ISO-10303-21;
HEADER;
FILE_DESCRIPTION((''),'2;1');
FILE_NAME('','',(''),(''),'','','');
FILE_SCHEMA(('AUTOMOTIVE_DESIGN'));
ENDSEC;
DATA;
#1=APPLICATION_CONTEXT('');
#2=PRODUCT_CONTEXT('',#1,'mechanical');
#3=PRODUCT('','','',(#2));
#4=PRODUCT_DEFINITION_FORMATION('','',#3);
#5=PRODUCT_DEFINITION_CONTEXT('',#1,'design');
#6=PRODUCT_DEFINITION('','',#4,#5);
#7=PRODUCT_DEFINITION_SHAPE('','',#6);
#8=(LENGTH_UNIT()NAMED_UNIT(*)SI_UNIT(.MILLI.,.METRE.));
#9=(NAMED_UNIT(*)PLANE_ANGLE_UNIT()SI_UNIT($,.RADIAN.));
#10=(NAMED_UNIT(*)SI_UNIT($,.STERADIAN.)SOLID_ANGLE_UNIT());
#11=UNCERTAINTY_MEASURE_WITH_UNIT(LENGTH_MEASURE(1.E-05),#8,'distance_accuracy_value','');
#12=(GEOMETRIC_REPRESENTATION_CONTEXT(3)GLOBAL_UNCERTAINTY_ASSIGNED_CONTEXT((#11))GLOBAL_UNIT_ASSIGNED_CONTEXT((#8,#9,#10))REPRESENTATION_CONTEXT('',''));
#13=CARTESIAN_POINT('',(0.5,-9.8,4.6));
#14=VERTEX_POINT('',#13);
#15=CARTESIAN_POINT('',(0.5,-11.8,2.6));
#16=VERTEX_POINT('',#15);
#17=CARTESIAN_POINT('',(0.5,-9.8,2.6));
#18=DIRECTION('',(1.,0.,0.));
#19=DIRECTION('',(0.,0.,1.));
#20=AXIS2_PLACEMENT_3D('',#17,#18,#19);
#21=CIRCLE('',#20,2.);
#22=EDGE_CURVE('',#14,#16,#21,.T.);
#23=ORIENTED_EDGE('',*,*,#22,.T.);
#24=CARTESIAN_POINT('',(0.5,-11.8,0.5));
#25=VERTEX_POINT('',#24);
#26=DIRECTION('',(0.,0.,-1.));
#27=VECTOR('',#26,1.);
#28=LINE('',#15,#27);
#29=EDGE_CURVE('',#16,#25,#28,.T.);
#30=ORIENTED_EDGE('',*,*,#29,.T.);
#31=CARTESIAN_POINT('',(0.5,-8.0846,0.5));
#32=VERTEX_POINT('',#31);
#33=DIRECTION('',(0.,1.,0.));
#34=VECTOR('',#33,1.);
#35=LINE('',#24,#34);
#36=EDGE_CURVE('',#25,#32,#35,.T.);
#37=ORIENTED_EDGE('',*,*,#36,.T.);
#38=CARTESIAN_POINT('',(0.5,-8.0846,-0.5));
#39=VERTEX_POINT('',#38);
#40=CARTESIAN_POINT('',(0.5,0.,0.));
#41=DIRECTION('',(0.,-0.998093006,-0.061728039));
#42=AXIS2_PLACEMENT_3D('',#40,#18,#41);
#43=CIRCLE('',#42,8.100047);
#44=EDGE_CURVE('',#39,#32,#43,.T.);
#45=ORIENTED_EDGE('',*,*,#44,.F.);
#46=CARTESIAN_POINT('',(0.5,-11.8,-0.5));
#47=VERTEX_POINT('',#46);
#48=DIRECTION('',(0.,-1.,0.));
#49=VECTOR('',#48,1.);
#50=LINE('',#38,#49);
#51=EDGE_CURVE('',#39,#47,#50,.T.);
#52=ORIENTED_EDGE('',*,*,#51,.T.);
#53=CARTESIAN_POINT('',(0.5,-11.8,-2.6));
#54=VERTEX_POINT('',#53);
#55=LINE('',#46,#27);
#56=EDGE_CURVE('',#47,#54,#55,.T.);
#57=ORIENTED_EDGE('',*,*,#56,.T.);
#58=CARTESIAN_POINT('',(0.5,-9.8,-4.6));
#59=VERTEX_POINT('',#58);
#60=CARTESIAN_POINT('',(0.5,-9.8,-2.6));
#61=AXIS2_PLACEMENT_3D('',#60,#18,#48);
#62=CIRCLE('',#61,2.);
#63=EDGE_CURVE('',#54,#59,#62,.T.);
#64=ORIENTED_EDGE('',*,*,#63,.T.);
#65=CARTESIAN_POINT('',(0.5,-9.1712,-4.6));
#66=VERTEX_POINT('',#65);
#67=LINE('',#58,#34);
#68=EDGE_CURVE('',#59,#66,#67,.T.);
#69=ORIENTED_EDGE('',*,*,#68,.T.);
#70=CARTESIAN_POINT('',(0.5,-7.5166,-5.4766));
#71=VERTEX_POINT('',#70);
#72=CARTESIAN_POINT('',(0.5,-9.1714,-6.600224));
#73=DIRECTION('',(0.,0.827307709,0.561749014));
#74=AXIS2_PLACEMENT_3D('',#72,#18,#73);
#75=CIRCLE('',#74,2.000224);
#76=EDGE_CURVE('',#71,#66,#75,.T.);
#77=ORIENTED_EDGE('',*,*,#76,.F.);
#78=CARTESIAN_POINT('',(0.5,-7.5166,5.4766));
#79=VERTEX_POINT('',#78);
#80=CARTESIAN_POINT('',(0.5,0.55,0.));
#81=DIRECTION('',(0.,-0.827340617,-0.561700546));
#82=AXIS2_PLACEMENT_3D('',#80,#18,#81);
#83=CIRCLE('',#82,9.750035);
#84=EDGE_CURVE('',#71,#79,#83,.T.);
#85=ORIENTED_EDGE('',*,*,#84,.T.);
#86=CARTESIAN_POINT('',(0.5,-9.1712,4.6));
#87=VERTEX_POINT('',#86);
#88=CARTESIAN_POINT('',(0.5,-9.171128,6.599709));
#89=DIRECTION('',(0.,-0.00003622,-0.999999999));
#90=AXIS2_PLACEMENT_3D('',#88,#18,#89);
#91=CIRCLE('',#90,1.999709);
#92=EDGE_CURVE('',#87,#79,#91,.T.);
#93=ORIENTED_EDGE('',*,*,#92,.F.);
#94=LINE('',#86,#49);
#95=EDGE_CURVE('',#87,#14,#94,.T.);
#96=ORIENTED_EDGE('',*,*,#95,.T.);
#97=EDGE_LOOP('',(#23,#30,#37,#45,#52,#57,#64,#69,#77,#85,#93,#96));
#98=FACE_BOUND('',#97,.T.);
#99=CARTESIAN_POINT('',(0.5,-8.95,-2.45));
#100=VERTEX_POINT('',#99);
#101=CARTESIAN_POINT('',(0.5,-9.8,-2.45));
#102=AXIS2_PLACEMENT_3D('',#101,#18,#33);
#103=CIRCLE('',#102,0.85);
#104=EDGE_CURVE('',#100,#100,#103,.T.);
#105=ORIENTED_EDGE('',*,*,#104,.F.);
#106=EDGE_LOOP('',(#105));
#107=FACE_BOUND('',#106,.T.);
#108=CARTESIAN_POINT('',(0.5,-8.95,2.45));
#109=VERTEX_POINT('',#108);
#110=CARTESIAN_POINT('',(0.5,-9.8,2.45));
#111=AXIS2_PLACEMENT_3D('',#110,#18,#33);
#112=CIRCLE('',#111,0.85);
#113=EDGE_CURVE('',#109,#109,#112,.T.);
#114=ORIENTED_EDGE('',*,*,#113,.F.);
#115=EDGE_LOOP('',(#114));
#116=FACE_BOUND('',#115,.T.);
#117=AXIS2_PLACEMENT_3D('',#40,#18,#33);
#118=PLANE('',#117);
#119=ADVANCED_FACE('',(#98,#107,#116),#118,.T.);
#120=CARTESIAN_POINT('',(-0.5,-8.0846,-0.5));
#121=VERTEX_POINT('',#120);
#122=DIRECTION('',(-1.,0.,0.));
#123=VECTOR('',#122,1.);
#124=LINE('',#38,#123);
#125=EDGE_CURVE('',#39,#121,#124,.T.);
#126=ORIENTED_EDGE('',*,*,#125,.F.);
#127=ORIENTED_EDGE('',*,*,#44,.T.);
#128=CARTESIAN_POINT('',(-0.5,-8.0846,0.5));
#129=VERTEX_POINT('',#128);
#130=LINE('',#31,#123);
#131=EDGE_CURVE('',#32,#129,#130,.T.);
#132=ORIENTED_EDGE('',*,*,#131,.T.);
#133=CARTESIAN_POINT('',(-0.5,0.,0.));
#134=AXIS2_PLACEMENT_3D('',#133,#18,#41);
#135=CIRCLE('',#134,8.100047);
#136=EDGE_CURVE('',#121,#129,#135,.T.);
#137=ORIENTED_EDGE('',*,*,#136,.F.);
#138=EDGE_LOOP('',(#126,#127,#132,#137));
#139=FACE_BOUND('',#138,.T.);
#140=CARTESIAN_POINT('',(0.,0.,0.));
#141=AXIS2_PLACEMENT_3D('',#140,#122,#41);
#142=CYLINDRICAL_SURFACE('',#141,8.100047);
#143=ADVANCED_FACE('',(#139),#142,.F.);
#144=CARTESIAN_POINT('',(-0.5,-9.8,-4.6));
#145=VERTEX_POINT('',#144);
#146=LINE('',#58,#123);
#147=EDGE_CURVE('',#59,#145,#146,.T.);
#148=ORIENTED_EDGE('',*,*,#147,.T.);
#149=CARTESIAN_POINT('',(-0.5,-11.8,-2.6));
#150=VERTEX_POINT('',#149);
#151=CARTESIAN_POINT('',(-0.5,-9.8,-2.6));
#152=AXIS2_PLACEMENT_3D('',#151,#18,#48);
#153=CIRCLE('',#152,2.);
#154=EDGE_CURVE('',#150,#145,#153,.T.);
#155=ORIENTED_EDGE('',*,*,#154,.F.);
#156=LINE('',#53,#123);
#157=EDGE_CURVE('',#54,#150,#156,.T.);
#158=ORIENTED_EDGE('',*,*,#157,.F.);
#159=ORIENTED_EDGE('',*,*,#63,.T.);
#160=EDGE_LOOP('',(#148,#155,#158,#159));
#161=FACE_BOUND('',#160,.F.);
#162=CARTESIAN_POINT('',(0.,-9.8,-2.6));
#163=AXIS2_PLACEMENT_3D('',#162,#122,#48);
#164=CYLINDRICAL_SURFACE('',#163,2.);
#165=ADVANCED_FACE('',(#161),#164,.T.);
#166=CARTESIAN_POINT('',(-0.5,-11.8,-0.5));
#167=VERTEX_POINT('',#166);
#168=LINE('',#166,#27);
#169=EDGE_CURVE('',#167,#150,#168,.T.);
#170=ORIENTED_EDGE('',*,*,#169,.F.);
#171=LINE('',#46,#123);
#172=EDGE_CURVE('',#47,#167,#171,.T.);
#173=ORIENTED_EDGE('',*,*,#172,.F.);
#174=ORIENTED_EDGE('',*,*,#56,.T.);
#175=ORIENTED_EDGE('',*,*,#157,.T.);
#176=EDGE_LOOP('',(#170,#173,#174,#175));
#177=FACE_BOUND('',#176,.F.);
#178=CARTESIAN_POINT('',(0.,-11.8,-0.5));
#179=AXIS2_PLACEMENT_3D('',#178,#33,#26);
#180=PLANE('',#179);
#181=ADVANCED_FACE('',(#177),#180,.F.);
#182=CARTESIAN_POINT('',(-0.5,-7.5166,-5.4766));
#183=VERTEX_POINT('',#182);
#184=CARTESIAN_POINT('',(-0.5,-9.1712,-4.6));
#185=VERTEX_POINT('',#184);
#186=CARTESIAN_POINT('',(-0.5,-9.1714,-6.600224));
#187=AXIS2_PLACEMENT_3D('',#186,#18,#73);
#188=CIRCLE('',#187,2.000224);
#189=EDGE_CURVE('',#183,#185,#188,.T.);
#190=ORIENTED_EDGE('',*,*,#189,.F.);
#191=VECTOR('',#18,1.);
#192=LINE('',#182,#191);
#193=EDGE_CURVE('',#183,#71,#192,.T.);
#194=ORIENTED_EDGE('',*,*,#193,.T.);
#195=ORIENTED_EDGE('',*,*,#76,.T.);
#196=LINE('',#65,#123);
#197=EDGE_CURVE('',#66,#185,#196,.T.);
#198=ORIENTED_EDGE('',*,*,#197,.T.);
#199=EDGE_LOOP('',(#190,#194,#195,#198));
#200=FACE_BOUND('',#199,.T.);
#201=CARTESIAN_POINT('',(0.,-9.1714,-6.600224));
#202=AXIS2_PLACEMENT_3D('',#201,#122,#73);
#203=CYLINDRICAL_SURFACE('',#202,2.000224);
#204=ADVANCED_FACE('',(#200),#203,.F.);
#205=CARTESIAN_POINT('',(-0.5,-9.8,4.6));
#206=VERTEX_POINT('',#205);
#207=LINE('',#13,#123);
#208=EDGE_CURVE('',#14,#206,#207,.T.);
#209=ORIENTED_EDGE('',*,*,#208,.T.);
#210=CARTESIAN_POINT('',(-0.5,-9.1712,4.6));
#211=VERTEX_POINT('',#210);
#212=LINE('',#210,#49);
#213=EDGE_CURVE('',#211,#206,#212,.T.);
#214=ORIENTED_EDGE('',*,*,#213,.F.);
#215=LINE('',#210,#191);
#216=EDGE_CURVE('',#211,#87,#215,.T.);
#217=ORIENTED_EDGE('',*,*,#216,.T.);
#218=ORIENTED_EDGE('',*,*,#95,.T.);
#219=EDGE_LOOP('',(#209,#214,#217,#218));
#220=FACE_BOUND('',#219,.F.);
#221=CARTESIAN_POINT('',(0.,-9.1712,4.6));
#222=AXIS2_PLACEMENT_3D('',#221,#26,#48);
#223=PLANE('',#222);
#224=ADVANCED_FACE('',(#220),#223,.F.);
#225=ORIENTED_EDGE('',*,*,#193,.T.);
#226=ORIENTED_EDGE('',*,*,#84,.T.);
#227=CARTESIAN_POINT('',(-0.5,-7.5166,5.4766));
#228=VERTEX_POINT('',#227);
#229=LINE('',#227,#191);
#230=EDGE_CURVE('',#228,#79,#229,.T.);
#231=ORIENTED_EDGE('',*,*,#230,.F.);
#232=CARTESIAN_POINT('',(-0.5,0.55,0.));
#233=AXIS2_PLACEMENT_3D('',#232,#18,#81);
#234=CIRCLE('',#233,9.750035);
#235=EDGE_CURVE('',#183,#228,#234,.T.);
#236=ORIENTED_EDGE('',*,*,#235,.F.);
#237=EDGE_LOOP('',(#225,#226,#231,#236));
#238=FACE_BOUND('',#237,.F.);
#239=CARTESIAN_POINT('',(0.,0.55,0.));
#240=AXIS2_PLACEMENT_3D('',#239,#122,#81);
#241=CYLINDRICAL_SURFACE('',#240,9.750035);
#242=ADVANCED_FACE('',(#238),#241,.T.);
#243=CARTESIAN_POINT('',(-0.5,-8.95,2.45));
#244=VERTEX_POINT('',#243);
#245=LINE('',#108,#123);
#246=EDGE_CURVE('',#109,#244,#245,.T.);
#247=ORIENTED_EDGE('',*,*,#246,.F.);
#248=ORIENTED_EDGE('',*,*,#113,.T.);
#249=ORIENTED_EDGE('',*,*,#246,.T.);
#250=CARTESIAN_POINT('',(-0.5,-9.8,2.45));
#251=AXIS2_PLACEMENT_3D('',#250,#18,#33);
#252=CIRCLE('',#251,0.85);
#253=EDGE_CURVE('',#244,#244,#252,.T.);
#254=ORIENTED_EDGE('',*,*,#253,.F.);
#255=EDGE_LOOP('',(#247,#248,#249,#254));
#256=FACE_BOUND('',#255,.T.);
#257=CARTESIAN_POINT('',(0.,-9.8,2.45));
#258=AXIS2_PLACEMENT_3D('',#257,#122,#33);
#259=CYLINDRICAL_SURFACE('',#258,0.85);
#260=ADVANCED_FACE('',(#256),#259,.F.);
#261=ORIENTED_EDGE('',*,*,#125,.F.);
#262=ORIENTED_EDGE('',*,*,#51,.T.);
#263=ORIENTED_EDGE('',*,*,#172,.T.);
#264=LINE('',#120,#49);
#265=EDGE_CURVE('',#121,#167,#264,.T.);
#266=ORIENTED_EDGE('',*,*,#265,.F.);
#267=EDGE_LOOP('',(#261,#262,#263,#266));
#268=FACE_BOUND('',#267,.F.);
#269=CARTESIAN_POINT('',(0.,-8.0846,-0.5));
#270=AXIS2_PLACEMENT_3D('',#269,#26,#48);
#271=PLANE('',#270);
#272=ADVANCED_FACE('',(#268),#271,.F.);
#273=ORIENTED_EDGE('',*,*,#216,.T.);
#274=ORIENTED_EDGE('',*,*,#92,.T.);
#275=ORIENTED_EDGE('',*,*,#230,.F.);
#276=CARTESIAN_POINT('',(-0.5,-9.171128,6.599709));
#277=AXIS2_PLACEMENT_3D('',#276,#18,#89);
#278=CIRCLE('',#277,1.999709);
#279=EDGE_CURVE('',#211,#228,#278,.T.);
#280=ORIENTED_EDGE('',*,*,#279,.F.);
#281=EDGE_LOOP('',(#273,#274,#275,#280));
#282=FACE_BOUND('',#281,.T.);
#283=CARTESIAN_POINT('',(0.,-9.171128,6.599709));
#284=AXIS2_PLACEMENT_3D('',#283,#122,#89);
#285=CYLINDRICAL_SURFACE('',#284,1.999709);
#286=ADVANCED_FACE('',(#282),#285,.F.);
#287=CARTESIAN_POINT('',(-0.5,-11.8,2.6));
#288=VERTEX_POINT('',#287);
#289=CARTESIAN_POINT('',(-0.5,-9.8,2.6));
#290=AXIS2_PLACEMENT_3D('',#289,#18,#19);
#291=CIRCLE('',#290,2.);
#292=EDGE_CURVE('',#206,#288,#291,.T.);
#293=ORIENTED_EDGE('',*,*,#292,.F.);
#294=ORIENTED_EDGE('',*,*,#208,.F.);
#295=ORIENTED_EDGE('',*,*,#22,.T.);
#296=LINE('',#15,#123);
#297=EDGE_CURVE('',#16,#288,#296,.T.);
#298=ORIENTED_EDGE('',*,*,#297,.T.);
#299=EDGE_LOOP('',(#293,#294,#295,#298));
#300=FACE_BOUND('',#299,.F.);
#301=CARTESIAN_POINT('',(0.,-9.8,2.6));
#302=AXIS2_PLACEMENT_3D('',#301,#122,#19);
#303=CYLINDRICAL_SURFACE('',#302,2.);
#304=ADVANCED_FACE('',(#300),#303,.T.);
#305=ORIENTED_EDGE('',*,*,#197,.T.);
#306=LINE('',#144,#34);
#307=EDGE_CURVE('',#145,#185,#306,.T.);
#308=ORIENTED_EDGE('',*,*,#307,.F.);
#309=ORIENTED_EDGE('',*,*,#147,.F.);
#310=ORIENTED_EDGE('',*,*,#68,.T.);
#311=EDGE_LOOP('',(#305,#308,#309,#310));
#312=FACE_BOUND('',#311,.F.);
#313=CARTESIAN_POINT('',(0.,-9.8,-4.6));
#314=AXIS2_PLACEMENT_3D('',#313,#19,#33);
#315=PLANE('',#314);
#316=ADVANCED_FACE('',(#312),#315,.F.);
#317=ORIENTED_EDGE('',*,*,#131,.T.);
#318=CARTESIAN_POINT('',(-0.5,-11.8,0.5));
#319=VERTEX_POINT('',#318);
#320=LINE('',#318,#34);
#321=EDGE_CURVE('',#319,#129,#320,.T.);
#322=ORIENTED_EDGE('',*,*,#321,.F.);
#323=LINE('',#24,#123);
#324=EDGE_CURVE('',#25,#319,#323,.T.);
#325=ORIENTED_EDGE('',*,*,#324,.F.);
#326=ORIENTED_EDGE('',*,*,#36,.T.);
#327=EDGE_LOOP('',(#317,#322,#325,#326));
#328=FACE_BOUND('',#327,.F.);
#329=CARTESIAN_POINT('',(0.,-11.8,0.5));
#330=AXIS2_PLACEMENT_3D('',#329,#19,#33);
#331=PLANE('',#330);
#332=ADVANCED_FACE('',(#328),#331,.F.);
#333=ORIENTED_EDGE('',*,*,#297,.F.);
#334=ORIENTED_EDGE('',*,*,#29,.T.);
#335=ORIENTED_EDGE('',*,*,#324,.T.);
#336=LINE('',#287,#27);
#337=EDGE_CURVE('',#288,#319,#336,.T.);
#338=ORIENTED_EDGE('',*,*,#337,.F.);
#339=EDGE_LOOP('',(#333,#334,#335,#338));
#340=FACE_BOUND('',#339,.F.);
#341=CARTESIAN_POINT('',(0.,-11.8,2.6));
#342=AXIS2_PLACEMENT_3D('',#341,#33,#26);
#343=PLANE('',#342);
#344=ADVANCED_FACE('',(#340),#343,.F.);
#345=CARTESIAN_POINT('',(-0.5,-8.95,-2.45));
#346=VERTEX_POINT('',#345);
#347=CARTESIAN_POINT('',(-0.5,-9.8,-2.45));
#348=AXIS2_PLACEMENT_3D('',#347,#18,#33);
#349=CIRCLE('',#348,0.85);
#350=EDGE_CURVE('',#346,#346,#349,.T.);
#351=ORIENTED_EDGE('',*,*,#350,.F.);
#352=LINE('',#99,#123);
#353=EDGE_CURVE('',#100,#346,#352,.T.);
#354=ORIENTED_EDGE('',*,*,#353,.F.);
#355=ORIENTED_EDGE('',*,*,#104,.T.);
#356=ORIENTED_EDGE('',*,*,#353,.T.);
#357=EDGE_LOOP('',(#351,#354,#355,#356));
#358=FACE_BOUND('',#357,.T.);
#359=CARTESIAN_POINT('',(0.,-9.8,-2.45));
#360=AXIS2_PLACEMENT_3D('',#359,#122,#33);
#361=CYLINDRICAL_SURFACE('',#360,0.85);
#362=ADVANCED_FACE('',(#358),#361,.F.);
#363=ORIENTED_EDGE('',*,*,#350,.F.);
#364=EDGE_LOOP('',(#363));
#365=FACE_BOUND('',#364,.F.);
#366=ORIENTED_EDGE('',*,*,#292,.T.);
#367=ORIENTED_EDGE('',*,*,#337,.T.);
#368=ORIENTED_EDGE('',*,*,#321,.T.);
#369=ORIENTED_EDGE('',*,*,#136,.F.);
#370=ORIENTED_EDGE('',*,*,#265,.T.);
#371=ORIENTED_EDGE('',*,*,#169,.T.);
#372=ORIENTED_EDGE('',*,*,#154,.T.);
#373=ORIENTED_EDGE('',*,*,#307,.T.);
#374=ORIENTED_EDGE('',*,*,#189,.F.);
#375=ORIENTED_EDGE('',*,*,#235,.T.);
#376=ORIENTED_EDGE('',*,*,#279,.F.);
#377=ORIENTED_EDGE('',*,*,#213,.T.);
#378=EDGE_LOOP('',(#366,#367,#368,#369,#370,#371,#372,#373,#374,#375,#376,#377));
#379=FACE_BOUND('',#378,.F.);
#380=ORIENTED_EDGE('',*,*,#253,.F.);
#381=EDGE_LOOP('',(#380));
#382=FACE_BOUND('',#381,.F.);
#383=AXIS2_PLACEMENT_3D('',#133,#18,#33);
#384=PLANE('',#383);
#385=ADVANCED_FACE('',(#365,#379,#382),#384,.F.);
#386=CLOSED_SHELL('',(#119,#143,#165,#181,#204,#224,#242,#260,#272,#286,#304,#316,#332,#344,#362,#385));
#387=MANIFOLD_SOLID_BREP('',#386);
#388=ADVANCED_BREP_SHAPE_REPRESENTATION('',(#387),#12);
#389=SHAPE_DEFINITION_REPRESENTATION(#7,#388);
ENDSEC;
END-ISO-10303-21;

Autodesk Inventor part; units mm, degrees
sketch "Sketch_6" plane through (0, 0, 0) normal (1, 0, 0) x (0, 1, 0)
  arc A0 (-7.5166, -5.4766) -> (-7.5166, 5.4766) centre (0.55, 0) ccw
  arc A1 (-9.1712, 4.6) -> (-7.5166, 5.4766) centre (-9.1712, 6.6) ccw
  line L0 (-9.1712, 4.6) -> (-9.8, 4.6)
  arc A2 (-9.8, 4.6) -> (-11.8, 2.6) centre (-9.8, 2.6) ccw
  line L1 (-11.8, 2.6) -> (-11.8, 0.5)
  line L2 (-11.8, 0.5) -> (-8.0846, 0.5)
  arc A3 (-8.0846, -0.5) -> (-8.0846, 0.5) centre (0, 0) ccw
  line L3 (-8.0846, -0.5) -> (-11.8, -0.5)
  line L4 (-11.8, -0.5) -> (-11.8, -2.6)
  arc A4 (-11.8, -2.6) -> (-9.8, -4.6) centre (-9.8, -2.6) ccw
  line L5 (-9.8, -4.6) -> (-9.1712, -4.6)
  arc A5 (-7.5166, -5.4766) -> (-9.1712, -4.6) centre (-9.1712, -6.6) ccw
  circle A6 centre (-9.8, -2.45) radius 0.85
  circle A7 centre (-9.8, 2.45) radius 0.85
extrude "Extrusion1" add sketch "Sketch_6" along normal mid plane 1
ref_plane "1_XY" through (0, 0, 0) normal (1, 0, 0) x (0, 0, -1)
ref_plane "1_YZ" through (0, 0, 0) normal (0, 0, -1) x (0, 1, 0)
ref_plane "1_ZX" through (0, 0, 0) normal (0, 1, 0) x (1, 0, 0)
ref_plane "combination_module_XY" through (0.5, 0, 0) normal (1, 0, 0) x (0, 0, -1)
ref_plane "combination_module_YZ" through (0.5, 0, 0) normal (0, 0, -1) x (0, 1, 0)
ref_plane "combination_module_ZX" through (0.5, 0, 0) normal (0, 1, 0) x (1, 0, 0)
properties part number "RRING-C-EXT-17" material "Steel"
